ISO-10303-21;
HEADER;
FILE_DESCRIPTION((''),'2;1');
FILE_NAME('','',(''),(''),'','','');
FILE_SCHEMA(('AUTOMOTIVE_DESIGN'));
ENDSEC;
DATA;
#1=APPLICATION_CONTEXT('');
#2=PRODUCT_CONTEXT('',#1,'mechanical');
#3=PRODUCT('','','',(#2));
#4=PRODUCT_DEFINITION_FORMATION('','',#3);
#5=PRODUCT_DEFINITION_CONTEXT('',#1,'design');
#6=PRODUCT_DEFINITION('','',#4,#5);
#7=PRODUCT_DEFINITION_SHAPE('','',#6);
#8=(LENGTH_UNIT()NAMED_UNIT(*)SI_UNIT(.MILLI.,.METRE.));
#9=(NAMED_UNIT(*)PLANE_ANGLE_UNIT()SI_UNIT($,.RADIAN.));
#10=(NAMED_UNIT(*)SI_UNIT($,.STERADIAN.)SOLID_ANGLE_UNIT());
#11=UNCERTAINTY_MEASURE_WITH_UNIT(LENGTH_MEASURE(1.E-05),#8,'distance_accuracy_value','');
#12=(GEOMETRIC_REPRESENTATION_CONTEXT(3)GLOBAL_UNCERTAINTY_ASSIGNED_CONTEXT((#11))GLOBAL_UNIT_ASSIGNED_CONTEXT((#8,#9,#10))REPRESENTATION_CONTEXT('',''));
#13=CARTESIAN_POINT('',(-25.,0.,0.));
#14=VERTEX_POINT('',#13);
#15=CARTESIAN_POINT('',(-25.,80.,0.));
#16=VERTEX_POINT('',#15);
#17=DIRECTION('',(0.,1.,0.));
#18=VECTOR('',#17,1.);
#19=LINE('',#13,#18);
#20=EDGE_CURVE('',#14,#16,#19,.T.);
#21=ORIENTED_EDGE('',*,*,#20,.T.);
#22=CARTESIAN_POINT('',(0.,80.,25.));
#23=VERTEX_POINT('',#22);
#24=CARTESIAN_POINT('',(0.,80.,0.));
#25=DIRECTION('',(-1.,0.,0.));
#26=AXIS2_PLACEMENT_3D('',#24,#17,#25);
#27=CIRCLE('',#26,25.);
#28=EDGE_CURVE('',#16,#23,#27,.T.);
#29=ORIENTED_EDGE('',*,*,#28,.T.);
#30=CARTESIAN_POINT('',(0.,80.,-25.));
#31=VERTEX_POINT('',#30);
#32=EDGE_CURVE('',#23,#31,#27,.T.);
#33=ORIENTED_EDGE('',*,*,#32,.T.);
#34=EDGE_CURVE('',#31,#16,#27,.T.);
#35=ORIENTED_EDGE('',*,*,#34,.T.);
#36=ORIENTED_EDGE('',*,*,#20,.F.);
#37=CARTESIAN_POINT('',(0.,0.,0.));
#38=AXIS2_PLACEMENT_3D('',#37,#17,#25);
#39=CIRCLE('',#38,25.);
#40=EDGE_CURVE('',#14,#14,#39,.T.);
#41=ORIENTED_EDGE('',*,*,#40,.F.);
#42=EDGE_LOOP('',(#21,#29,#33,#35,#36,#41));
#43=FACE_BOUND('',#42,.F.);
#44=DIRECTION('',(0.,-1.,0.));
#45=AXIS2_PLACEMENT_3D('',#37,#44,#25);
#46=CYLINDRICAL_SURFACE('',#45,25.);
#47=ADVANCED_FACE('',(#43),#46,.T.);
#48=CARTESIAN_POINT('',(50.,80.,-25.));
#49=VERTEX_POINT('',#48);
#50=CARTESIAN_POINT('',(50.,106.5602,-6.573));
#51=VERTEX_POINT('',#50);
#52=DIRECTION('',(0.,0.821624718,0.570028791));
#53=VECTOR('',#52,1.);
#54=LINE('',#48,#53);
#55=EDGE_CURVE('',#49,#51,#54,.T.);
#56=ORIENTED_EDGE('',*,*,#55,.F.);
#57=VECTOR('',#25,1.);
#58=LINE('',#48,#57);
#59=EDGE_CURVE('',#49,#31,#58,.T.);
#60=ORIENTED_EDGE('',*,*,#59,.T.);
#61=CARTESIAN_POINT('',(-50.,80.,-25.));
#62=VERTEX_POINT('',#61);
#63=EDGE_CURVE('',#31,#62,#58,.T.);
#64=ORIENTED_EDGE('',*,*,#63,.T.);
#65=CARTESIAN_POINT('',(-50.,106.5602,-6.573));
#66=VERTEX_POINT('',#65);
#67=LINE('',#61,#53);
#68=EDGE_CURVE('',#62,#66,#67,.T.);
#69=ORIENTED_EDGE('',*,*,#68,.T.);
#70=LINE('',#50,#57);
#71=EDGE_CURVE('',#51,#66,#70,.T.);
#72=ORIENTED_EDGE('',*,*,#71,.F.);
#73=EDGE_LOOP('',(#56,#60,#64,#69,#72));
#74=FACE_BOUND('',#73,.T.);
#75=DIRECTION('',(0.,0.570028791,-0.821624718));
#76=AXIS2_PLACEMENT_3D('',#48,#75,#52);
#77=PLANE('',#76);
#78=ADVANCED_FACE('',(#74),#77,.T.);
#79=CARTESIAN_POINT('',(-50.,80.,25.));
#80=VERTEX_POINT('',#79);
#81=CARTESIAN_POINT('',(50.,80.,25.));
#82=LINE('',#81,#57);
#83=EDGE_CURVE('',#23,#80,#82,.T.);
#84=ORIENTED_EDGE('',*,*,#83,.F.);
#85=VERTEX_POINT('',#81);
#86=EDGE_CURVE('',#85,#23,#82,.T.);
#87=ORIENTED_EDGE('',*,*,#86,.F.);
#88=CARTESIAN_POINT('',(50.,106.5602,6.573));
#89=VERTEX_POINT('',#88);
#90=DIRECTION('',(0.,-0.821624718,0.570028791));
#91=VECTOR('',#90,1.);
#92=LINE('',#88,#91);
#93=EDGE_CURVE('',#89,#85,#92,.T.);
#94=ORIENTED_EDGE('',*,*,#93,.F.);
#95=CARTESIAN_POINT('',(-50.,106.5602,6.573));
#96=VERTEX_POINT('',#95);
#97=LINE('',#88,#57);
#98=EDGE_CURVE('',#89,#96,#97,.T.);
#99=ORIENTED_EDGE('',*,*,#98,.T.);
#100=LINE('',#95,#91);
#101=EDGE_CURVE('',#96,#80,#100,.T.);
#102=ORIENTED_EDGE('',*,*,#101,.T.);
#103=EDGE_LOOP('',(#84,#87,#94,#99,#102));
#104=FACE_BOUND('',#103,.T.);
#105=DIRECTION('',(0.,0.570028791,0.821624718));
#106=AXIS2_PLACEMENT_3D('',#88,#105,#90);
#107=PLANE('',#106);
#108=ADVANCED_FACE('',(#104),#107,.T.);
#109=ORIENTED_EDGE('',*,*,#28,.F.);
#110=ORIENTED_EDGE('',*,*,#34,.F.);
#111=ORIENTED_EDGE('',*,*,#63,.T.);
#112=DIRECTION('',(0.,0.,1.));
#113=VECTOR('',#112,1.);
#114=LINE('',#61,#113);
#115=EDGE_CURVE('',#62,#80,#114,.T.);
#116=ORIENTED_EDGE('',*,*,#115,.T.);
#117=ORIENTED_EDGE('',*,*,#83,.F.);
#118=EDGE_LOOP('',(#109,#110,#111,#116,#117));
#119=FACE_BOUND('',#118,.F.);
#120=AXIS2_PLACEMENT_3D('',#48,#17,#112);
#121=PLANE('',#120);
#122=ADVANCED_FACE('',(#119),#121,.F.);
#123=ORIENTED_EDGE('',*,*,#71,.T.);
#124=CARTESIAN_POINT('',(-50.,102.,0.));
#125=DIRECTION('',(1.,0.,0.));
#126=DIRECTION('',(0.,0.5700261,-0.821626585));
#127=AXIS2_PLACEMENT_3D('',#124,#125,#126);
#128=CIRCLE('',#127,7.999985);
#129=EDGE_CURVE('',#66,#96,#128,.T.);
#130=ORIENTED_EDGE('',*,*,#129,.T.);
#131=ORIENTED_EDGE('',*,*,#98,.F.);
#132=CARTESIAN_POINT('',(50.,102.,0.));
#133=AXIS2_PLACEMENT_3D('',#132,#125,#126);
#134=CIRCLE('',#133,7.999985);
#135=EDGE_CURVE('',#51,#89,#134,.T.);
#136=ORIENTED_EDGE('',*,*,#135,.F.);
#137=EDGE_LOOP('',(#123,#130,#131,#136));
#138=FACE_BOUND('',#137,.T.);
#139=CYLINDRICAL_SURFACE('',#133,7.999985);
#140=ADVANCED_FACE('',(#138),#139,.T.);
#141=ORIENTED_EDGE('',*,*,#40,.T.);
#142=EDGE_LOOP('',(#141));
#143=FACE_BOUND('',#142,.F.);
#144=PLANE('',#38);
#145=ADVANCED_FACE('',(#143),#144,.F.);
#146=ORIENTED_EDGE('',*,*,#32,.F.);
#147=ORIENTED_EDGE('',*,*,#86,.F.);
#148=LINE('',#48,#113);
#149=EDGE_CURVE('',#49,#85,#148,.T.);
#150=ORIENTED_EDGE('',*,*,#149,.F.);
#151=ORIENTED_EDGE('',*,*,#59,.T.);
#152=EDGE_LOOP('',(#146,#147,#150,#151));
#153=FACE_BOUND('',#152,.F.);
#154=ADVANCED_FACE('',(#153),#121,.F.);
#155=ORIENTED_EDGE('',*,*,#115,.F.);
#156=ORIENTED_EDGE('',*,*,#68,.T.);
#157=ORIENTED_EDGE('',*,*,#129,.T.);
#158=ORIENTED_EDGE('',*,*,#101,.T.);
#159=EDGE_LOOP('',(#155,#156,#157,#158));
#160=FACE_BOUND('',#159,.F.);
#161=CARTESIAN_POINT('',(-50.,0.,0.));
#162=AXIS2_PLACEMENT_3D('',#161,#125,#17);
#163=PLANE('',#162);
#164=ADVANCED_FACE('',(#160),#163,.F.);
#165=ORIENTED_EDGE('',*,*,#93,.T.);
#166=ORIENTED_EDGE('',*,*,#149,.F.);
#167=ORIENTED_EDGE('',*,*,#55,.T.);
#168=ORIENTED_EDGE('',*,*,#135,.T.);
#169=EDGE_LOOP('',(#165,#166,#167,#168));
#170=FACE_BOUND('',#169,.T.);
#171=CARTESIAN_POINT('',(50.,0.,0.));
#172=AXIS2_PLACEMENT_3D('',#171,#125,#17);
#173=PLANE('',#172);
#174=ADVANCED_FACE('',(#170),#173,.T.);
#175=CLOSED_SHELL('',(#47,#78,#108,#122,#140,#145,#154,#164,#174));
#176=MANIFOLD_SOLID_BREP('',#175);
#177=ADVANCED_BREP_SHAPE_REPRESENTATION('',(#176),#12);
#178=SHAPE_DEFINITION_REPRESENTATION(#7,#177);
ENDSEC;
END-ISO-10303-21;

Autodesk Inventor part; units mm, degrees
ref_plane "XZ Plane" through (0, 0, 0) normal (0, 1, 0) x (-1, 0, 0)
ref_plane "XY Plane" through (0, 0, 0) normal (0, 0, 1) x (1, 0, 0)
sketch "Sketch1" plane through (0, 0, 0) normal (0, 1, 0) x (-1, 0, 0)
  circle A0 centre (0, 0) radius 25
  dimension "d0" = 50
extrude "Extrusion1" add sketch "Sketch1" along normal blind 80
ref_plane "Work Plane3" through (50, 0, 0) normal (1, 0, 0) x (0, 1, 0)
sketch "Sketch7" plane through (50, 0, 0) normal (1, 0, 0) x (0, 1, 0)
  line L0 (80, -25) -> (80, 25) projected
  line L1 (80, 25) -> (80, -25)
  line L2 (80, -25) -> (106.5602, -6.573)
  line L3 (106.5602, 6.573) -> (80, 25)
  arc A0 (106.5602, -6.573) -> (106.5602, 6.573) centre (102, 0) ccw
  point P0 (0, 0)
  point P1 (110, 0)
  dimension "d23" = 8
  dimension "d24" = 30
extrude "Extrusion5" add sketch "Sketch7" against normal blind 100
properties part number "rotator_round_3DPrint"
